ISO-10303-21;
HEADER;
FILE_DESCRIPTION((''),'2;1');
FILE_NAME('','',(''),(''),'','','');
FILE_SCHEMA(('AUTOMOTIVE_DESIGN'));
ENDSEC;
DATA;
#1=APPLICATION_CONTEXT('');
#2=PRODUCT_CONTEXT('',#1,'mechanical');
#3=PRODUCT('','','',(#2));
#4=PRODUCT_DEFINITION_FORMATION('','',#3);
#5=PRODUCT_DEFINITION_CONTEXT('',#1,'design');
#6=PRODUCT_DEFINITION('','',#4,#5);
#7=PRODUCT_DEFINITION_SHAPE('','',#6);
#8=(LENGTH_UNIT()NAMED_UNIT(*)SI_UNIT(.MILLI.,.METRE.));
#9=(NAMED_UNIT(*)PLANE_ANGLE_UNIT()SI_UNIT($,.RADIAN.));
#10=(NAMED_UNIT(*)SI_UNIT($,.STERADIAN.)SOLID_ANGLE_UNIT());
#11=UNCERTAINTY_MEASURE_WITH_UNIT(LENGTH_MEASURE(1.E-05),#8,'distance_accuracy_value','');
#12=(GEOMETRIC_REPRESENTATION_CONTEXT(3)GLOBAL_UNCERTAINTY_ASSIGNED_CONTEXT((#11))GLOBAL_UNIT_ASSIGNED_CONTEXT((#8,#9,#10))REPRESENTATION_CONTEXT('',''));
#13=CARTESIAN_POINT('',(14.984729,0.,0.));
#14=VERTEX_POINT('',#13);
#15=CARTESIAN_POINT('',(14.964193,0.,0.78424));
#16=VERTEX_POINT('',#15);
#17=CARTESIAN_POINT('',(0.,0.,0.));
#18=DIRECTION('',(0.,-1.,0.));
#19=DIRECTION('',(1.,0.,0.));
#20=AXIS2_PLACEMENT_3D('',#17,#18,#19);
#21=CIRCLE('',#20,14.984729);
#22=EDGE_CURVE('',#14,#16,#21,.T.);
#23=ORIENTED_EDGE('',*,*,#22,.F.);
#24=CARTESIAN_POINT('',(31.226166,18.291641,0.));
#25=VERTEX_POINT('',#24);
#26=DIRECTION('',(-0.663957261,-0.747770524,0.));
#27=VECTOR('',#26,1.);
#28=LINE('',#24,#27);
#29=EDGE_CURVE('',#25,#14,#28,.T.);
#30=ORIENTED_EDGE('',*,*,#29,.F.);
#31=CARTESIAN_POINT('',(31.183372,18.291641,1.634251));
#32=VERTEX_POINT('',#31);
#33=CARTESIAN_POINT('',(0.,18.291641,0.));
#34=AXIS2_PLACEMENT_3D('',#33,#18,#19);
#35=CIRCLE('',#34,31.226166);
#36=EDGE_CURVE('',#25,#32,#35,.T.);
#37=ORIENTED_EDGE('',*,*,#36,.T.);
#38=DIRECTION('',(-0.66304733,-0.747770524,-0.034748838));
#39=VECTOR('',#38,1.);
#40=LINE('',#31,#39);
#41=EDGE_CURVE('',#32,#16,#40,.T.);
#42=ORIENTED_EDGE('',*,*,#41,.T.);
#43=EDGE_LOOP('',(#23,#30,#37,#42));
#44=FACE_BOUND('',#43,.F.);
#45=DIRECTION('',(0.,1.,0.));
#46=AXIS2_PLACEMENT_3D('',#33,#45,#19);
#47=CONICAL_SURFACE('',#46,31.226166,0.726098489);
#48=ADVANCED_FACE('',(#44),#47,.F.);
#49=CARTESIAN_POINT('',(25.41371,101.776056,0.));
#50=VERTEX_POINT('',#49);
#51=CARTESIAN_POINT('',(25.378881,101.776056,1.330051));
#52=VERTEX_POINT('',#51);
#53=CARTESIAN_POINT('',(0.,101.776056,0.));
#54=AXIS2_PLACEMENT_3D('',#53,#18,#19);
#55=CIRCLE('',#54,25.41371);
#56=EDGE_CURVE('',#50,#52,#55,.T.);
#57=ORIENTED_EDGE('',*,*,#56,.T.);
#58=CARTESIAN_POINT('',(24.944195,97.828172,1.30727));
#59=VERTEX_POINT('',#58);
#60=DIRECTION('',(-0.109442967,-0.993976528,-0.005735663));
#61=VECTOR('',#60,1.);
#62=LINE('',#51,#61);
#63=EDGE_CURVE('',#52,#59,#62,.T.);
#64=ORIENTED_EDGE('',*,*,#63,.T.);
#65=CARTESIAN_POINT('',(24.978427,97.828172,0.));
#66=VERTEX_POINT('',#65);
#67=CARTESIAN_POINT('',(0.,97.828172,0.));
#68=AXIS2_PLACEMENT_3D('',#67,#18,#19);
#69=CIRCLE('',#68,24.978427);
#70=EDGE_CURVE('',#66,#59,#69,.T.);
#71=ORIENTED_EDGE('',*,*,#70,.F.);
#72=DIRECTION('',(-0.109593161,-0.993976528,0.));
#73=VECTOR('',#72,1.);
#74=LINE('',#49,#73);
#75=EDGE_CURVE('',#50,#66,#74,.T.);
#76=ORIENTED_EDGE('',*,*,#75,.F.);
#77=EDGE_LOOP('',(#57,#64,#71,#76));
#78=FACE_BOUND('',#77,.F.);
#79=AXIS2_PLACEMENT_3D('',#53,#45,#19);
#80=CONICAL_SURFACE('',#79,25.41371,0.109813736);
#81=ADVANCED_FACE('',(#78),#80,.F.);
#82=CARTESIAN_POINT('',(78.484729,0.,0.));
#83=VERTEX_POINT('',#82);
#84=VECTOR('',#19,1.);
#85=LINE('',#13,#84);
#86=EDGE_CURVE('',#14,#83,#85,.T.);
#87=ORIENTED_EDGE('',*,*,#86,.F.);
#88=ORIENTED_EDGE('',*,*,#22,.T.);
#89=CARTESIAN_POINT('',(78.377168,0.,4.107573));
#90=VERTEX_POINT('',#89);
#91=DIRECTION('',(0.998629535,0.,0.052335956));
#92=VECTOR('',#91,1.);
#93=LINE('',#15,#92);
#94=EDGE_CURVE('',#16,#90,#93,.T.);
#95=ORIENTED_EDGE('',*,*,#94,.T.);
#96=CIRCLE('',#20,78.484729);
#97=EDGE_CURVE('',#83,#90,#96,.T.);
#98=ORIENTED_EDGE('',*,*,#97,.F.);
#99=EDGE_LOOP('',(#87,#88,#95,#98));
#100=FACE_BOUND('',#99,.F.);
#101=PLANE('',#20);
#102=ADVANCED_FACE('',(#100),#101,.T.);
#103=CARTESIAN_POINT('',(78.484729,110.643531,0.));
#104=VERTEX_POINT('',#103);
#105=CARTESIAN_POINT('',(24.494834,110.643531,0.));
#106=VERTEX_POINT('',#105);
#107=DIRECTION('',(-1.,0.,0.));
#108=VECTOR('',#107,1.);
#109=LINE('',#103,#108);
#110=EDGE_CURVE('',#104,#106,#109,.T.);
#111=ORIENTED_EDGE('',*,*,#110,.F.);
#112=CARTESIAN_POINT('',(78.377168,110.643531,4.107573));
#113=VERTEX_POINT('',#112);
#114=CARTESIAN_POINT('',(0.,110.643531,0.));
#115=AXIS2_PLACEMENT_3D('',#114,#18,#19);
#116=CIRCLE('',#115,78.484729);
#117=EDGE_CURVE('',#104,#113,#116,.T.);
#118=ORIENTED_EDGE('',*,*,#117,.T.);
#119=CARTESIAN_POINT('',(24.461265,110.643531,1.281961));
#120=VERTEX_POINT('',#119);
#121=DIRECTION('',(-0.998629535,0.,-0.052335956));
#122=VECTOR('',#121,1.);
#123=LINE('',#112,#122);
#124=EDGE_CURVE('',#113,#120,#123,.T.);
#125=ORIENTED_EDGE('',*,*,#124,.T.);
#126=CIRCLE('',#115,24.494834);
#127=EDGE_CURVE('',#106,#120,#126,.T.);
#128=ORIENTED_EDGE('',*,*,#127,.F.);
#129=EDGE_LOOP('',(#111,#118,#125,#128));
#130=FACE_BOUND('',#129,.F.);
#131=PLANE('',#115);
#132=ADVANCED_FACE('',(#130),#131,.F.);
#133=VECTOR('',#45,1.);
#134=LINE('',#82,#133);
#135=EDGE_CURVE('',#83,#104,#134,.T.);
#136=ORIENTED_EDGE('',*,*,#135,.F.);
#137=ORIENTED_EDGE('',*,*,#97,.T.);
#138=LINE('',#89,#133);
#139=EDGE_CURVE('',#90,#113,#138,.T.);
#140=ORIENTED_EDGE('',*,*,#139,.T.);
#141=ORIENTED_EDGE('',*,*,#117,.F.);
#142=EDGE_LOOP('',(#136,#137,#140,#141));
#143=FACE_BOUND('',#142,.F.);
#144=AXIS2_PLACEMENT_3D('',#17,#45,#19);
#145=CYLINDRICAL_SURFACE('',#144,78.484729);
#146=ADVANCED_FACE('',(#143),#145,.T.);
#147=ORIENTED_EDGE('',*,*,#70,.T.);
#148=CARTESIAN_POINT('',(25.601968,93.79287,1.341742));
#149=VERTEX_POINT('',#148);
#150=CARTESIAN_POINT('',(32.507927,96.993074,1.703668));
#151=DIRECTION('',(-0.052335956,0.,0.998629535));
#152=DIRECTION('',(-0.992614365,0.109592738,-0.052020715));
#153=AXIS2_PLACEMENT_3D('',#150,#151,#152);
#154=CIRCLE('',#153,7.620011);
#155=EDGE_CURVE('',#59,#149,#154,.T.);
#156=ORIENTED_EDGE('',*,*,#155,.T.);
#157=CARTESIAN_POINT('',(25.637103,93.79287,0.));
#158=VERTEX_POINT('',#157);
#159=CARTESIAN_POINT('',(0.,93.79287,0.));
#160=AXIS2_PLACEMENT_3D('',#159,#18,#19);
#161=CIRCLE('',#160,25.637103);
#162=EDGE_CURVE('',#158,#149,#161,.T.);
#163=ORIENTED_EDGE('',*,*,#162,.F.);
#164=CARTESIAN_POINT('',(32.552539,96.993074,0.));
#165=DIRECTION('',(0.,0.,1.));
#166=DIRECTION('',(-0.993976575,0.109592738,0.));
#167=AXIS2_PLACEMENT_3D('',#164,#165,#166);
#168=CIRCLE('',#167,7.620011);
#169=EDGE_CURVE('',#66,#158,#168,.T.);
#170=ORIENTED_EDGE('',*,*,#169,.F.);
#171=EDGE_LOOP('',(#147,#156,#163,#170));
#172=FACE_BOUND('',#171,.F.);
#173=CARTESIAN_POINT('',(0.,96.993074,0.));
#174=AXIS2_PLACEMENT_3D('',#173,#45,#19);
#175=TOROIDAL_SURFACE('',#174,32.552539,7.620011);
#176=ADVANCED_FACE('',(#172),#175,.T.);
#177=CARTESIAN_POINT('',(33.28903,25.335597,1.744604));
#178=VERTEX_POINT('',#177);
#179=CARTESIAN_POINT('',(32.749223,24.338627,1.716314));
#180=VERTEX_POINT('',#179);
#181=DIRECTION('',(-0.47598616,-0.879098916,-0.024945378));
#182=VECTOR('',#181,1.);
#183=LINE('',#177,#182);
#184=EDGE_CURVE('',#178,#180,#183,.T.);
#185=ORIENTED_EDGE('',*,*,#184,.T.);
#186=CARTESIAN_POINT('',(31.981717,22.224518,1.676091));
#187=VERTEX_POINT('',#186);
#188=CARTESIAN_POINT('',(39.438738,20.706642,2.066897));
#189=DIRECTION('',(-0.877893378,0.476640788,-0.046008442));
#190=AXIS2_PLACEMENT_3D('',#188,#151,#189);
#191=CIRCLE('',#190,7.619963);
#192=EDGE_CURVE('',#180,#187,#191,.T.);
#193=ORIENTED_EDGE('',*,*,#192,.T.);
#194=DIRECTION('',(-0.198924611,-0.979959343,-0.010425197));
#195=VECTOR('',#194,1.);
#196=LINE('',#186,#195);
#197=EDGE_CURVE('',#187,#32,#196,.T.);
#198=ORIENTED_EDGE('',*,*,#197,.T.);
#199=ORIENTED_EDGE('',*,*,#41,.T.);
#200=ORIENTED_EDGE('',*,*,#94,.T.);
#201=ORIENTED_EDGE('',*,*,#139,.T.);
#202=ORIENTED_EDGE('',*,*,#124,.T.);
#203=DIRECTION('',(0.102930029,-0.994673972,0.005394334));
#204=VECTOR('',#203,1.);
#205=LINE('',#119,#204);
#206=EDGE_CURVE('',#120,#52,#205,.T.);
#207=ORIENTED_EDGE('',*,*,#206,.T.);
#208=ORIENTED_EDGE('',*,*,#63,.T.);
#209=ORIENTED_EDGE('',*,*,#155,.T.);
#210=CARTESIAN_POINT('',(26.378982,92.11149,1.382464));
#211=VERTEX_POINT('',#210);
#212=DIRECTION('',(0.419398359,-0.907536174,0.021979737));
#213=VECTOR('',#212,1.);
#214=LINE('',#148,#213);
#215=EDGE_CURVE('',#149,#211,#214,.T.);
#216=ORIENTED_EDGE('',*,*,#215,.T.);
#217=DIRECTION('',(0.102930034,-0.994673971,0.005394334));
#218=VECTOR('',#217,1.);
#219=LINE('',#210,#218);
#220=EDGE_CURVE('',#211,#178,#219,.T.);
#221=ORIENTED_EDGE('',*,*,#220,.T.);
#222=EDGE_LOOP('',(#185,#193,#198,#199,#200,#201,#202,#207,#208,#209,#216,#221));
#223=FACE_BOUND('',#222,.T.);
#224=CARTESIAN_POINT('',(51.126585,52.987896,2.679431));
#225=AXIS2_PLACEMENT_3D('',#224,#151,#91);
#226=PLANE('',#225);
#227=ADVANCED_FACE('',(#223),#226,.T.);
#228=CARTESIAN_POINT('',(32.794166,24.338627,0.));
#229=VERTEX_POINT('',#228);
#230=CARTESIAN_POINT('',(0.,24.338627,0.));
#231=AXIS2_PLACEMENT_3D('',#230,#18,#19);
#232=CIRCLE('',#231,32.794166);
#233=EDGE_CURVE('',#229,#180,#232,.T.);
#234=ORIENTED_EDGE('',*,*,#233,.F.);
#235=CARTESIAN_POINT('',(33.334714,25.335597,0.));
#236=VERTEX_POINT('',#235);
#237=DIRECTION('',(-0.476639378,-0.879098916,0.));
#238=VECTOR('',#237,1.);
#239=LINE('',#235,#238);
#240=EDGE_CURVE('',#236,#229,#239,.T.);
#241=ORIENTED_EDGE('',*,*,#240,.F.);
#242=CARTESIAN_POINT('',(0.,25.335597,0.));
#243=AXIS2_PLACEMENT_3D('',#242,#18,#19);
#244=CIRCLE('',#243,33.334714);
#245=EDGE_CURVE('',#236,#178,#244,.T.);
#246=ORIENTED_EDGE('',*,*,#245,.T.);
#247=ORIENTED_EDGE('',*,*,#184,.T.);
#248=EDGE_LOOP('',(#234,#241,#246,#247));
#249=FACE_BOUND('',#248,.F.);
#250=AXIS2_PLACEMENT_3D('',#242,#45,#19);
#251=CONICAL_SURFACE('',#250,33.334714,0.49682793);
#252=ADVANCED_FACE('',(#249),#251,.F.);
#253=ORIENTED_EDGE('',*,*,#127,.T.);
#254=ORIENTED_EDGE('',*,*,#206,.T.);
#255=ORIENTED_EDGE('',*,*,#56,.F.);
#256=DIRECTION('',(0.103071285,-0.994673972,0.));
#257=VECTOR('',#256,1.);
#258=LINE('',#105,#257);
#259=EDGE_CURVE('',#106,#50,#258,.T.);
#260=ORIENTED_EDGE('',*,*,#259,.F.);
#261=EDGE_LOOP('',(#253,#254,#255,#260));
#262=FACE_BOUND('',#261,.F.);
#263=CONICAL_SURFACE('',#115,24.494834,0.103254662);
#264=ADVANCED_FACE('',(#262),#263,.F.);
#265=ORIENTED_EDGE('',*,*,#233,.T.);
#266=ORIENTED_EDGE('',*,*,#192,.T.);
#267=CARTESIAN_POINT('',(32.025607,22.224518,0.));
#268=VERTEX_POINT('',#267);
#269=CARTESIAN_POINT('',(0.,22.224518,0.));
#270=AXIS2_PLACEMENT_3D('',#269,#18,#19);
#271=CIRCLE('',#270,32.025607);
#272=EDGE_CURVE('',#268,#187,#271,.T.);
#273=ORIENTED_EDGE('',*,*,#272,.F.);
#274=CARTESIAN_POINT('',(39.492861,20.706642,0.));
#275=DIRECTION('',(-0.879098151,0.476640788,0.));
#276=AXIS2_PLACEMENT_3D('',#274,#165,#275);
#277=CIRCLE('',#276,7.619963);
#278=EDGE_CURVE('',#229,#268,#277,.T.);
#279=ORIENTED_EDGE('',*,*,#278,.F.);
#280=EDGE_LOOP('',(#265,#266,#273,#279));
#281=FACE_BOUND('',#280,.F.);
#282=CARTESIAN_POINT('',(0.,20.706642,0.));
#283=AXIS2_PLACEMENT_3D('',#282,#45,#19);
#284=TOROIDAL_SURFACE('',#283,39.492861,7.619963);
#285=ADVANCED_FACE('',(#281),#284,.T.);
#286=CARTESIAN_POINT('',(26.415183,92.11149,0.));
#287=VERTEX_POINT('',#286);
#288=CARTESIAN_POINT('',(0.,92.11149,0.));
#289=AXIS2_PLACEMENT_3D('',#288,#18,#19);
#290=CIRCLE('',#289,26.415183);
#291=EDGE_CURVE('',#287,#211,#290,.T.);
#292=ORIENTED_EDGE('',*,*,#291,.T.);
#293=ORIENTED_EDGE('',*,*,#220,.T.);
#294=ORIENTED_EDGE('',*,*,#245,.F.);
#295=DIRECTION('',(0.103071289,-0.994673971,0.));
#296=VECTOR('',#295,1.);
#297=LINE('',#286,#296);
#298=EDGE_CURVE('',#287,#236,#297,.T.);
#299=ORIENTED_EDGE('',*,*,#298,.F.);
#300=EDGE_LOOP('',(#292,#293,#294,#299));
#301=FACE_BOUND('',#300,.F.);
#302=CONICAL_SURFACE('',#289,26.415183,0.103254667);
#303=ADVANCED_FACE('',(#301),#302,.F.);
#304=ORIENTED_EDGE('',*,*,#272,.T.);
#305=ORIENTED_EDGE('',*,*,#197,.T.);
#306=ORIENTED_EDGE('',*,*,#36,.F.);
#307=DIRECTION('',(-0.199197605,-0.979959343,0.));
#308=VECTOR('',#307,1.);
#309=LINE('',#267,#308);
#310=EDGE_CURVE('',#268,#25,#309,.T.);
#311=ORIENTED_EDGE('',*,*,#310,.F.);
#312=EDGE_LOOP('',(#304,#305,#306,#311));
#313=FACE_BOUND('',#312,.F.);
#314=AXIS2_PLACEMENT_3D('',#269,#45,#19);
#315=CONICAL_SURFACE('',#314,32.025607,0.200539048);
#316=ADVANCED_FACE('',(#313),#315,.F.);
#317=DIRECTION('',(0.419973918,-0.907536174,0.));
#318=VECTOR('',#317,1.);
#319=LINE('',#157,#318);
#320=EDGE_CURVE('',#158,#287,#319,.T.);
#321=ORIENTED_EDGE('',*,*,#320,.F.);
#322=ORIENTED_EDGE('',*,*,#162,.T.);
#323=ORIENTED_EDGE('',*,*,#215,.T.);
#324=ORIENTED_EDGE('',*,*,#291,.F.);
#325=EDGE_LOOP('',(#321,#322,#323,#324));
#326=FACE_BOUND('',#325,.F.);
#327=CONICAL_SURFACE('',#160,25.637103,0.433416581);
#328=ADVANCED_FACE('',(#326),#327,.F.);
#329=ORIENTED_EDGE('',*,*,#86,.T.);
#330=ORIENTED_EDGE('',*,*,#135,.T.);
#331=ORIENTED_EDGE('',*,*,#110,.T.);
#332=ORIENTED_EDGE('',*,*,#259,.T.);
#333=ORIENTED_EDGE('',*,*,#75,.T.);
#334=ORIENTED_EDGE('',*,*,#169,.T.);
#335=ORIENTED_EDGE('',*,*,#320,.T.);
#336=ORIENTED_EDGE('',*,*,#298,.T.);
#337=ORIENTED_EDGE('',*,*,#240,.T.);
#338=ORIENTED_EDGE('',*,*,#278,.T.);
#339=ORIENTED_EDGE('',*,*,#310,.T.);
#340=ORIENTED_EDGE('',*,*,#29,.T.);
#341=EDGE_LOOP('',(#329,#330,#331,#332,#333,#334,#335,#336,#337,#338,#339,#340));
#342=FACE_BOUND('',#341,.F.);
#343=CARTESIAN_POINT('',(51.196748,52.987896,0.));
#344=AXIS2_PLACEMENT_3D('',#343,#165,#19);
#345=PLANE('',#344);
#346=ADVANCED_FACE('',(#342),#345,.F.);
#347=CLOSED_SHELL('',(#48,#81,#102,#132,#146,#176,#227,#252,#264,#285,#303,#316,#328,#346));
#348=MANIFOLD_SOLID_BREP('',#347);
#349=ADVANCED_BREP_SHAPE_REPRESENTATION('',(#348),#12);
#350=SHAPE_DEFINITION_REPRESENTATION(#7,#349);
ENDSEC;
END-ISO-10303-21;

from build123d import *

# Parameters (mm, degrees)
F2_ANGLE = -3


with BuildPart() as f2:
    # F0 (on Top) → F2 (revolve)
    with BuildSketch(Plane.XY):
        with BuildLine():
            Line((78.484729, 110.643531), (24.494834, 110.643531))
            Line((24.494834, 110.643531), (25.41371, 101.776056))
            Line((25.41371, 101.776056), (24.978427, 97.828172))
            ThreePointArc((24.978427, 97.828172), (25.032056, 95.765517), (25.637103, 93.79287))
            Line((25.637103, 93.79287), (26.415183, 92.11149))
            Line((26.415183, 92.11149), (33.334714, 25.335597))
            Line((33.334714, 25.335597), (32.794166, 24.338627))
            ThreePointArc((32.794166, 24.338627), (32.331444, 23.310089), (32.025607, 22.224518))
            Line((32.025607, 22.224518), (31.226166, 18.291641))
            Line((31.226166, 18.291641), (14.984729, 0))
            Line((14.984729, 0), (78.484729, 0))
            Line((78.484729, 0), (78.484729, 110.643531))
        make_face()
    revolve(axis=Axis((0, 41.270431, 0), (0, 1, 0)), revolution_arc=F2_ANGLE)


solid = f2.part
